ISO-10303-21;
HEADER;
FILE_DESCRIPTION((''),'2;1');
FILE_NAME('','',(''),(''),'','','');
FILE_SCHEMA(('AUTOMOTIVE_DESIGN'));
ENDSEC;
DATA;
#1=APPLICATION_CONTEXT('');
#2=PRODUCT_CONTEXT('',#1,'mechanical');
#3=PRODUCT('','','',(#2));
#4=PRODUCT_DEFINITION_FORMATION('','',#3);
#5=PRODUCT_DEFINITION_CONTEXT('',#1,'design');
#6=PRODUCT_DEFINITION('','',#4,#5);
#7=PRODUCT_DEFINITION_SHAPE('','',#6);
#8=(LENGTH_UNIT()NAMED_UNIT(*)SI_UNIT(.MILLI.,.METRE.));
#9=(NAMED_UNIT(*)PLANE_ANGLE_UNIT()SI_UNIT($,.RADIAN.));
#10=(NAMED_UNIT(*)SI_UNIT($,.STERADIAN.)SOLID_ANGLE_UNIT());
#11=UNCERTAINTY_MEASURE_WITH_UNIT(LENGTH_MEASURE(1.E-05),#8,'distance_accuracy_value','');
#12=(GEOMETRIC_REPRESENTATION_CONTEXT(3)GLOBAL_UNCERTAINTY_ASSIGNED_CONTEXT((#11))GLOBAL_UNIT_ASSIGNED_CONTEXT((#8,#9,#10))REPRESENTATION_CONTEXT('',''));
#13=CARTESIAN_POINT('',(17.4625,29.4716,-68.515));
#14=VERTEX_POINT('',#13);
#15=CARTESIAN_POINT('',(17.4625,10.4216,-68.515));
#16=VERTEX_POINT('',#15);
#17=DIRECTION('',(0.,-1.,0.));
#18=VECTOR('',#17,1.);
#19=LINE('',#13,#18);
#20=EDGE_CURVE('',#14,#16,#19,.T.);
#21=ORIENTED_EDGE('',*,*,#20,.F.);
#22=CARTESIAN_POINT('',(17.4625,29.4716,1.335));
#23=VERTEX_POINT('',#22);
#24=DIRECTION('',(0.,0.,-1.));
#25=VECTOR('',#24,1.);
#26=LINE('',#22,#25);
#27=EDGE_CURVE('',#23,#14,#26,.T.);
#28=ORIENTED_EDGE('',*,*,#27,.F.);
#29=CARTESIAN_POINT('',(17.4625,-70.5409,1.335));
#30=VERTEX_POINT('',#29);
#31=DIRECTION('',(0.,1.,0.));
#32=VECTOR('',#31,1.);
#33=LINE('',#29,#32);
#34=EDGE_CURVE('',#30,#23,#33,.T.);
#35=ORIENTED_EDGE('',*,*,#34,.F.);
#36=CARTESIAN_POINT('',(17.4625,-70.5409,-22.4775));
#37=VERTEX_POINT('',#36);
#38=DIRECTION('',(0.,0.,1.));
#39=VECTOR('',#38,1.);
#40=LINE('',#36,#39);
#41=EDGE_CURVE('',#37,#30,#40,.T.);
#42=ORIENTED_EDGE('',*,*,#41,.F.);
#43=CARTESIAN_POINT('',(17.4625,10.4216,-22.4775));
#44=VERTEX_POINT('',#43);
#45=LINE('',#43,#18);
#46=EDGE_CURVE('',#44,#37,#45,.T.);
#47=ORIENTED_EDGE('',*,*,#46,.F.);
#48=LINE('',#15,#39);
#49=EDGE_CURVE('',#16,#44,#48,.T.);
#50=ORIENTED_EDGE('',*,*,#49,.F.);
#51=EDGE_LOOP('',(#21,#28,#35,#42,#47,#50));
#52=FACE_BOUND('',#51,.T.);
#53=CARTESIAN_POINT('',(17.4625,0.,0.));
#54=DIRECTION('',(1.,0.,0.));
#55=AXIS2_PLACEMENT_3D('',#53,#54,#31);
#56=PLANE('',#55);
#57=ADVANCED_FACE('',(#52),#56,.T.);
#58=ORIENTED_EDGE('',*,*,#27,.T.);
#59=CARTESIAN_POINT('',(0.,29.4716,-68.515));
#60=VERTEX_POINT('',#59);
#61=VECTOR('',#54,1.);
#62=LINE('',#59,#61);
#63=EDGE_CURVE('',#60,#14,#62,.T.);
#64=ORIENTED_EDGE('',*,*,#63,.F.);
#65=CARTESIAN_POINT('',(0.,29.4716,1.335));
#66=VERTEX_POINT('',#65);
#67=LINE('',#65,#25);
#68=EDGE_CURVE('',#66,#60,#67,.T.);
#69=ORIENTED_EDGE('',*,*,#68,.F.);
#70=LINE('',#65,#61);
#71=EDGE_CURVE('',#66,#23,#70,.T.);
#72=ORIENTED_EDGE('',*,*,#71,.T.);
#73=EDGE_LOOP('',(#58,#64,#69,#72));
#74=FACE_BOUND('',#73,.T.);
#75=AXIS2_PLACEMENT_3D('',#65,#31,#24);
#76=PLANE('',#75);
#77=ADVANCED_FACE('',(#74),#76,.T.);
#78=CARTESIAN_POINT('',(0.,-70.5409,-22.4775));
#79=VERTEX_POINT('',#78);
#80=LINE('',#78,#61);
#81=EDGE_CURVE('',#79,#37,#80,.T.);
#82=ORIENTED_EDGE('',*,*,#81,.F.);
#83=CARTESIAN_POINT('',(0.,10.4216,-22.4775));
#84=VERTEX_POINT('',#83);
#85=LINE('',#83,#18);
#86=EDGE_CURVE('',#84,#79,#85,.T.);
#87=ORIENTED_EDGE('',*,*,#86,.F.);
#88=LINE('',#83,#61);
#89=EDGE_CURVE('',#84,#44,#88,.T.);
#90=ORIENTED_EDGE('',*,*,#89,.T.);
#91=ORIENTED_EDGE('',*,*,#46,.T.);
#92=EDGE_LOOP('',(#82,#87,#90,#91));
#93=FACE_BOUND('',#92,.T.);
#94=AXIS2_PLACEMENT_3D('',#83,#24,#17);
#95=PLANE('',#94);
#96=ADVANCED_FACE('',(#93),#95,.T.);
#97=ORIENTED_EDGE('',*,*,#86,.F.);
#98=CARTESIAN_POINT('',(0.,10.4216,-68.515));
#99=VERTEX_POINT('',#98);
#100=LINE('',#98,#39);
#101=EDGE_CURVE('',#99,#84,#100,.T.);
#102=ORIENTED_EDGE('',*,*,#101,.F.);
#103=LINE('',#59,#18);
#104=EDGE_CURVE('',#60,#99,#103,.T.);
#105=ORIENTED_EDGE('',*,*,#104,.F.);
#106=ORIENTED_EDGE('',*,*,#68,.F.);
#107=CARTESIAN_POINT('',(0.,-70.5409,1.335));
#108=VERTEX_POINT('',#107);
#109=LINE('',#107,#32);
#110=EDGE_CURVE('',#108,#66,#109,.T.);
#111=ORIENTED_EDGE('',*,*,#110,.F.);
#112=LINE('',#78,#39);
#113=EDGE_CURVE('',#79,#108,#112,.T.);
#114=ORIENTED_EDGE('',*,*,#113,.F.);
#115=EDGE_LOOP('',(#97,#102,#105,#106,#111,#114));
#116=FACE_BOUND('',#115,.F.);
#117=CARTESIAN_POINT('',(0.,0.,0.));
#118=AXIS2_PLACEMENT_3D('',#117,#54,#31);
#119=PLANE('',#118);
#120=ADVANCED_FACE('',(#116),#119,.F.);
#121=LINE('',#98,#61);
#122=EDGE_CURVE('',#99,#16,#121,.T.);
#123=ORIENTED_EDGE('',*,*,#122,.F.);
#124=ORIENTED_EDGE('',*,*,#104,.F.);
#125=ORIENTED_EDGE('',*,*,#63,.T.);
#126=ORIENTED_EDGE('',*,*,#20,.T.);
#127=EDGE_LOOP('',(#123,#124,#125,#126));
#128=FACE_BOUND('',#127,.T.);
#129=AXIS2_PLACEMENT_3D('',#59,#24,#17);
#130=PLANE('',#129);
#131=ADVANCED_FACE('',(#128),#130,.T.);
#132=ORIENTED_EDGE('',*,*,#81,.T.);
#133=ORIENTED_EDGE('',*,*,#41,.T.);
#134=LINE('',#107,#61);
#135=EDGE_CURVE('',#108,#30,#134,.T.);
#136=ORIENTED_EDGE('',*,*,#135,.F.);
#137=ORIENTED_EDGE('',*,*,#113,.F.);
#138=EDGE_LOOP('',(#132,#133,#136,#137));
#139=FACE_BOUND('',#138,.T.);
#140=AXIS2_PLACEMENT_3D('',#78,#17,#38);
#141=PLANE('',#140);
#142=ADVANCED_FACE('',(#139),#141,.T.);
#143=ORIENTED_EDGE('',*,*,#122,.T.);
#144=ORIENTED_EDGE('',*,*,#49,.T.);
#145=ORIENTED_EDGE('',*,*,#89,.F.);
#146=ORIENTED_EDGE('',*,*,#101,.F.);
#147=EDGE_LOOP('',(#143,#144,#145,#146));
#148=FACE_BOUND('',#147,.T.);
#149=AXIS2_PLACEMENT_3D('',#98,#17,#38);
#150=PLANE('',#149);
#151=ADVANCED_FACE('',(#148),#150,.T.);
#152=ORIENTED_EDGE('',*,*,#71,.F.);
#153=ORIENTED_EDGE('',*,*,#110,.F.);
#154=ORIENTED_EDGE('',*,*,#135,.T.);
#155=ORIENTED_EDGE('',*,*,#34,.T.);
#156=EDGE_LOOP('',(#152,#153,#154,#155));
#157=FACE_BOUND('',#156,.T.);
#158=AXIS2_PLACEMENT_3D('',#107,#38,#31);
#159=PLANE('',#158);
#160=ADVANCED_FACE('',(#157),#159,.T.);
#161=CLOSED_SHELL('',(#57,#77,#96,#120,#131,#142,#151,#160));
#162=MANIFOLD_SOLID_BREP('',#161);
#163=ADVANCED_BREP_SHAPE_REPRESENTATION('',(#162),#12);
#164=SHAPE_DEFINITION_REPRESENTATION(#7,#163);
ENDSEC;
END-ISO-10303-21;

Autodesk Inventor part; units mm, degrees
ref_plane "YZ Plane" through (0, 0, 0) normal (1, 0, 0) x (0, 1, 0)
ref_plane "XZ Plane" through (0, 0, 0) normal (0, 1, 0) x (-1, 0, 0)
ref_plane "XY Plane" through (0, 0, 0) normal (0, 0, 1) x (1, 0, 0)
sketch "Sketch1" plane through (0, 0, 0) normal (1, 0, 0) x (0, 1, 0)
  line L0 (29.4716, 1.335) -> (29.4716, -68.515)
  line L1 (29.4716, -68.515) -> (10.4216, -68.515)
  line L2 (10.4216, -68.515) -> (10.4216, -22.4775)
  line L3 (10.4216, -22.4775) -> (-70.5409, -22.4775)
  line L4 (-70.5409, -22.4775) -> (-70.5409, 1.335)
  line L5 (-70.5409, 1.335) -> (29.4716, 1.335)
  point P0 (0, 0)
  dimension "d0" = 69.85
  dimension "d1" = 46.0375
  dimension "d2" = 23.8125
  dimension "d3" = 100.0125
  dimension "d4" = 19.05
extrude "Extrusion1" add sketch "Sketch1" along normal blind 17.4625
ref_plane "Work Plane1" through (0, -70.5409, -10.5712) normal (0, 0, -1) x (-1, 0, 0)
ref_plane "Work Plane2" through (8.7313, 0, 0) normal (1, 0, 0) x (0, 0, -1)
ref_plane "Work Plane3" through (0, 19.9466, -68.515) normal (0, -1, 0) x (1, 0, 0)
equation "\"d1\" = d0 - d2"
properties part number "Head Posts"
